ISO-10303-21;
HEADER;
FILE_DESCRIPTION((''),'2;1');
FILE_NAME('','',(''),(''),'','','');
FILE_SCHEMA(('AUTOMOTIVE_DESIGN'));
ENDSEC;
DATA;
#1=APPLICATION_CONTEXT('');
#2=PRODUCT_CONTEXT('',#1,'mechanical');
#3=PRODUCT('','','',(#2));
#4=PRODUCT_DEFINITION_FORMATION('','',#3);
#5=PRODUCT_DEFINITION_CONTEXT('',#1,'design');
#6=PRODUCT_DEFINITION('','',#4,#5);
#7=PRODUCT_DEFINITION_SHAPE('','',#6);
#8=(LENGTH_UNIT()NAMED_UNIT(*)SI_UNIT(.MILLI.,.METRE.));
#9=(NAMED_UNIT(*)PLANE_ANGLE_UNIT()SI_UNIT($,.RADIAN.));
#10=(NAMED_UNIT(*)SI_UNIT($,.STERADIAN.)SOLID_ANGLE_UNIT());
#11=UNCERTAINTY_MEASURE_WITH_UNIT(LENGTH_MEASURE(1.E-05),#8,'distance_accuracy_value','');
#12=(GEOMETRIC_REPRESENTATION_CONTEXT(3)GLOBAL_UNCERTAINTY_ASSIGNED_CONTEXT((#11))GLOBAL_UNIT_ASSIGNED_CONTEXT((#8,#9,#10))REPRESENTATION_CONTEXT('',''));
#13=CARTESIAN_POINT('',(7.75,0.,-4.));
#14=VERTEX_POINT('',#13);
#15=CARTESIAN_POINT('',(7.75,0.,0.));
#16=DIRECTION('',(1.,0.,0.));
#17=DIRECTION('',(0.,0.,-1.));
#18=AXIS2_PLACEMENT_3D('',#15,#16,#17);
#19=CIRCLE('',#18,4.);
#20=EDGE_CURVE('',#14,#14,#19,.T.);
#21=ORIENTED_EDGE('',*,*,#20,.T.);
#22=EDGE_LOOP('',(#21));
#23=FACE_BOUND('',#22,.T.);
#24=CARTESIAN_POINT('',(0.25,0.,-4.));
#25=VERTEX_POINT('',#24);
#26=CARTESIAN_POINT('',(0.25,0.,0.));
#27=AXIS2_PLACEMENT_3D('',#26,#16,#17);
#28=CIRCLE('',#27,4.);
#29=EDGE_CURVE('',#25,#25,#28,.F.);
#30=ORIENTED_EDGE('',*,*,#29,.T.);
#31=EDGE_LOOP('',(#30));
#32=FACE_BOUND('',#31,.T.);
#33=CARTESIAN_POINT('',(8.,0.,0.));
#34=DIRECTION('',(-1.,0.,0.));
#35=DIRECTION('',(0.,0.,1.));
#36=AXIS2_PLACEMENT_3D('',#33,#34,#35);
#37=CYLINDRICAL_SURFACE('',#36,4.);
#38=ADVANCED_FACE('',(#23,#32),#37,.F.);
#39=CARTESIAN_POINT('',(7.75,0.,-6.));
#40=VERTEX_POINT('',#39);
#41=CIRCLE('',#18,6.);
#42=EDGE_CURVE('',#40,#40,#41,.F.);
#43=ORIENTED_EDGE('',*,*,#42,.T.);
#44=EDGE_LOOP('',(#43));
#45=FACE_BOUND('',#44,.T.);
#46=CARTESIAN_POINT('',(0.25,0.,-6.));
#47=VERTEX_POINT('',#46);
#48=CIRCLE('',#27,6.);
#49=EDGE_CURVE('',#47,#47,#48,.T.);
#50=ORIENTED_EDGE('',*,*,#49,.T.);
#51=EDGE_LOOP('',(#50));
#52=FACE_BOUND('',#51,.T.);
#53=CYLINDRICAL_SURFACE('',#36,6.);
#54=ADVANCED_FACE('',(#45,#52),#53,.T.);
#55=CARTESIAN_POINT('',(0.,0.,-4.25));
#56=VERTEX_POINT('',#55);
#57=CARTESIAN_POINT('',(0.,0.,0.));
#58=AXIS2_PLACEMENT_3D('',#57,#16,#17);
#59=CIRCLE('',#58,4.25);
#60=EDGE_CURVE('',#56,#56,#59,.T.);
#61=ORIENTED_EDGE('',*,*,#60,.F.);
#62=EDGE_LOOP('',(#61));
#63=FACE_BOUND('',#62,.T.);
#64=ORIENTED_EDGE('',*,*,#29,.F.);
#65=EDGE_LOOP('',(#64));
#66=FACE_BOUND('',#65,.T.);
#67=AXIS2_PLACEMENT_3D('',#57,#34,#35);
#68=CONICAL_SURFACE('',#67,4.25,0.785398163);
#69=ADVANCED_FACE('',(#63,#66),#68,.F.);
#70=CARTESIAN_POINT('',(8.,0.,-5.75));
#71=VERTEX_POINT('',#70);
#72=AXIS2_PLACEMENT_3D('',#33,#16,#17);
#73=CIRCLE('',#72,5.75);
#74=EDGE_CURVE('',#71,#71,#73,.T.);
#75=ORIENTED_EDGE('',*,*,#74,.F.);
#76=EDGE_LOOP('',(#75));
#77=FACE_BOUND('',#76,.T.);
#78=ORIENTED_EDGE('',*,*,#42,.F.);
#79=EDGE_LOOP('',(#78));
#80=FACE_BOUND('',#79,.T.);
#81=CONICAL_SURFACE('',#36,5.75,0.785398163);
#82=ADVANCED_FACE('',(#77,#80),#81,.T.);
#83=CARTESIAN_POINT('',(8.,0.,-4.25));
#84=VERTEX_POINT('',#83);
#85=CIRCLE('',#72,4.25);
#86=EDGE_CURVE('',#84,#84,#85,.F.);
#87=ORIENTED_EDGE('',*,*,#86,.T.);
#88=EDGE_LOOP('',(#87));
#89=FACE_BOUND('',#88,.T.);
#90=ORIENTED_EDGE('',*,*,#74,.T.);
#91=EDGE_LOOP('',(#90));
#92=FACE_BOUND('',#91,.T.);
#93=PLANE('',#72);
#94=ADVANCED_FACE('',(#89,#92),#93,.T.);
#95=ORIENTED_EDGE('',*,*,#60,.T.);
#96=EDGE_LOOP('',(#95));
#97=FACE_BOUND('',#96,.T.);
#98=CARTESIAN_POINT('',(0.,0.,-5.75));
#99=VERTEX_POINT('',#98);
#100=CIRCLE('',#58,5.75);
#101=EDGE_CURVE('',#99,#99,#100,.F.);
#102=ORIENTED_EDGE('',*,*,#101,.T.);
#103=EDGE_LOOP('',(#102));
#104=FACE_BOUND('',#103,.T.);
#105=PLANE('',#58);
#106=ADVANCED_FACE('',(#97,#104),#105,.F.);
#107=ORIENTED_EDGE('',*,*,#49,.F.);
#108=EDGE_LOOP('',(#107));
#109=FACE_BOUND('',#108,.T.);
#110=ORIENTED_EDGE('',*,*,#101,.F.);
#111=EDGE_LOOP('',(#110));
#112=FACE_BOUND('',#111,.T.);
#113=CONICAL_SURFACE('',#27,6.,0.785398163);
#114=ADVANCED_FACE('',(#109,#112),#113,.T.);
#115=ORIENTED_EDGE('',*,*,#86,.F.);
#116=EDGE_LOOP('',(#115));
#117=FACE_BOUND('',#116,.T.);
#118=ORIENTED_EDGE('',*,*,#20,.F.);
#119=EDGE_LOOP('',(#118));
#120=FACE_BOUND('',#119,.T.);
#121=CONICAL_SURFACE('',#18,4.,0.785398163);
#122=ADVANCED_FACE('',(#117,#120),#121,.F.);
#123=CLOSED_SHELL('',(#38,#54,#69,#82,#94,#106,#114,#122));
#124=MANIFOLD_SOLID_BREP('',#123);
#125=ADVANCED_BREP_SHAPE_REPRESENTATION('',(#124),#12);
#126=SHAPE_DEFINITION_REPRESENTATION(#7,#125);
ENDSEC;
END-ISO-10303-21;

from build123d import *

# Parameters (mm, degrees)
SKETCH1_R           = 6
SKETCH1_R_2         = 4
BOSS_EXTRUDE1_DEPTH = 8
CHAMFER1_SIZE       = 0.25


with BuildPart() as part:
    # Sketch1 → Boss-Extrude1 (new body)
    with BuildSketch(Plane(origin=(0, 0, 0), x_dir=(0, 0, -1), z_dir=(1, 0, 0))):
        Circle(SKETCH1_R)
        Circle(SKETCH1_R_2, mode=Mode.SUBTRACT)
    extrude(amount=BOSS_EXTRUDE1_DEPTH)

    # Chamfer1
    chamfer1_edges = [part.edges().sort_by_distance(p)[0] for p in [
        (0, 0, 6),
        (8, 0, 6),
        (0, 0, 4),
        (8, 0, 4),
    ]]
    chamfer(chamfer1_edges, length=CHAMFER1_SIZE)


solid = part.part
